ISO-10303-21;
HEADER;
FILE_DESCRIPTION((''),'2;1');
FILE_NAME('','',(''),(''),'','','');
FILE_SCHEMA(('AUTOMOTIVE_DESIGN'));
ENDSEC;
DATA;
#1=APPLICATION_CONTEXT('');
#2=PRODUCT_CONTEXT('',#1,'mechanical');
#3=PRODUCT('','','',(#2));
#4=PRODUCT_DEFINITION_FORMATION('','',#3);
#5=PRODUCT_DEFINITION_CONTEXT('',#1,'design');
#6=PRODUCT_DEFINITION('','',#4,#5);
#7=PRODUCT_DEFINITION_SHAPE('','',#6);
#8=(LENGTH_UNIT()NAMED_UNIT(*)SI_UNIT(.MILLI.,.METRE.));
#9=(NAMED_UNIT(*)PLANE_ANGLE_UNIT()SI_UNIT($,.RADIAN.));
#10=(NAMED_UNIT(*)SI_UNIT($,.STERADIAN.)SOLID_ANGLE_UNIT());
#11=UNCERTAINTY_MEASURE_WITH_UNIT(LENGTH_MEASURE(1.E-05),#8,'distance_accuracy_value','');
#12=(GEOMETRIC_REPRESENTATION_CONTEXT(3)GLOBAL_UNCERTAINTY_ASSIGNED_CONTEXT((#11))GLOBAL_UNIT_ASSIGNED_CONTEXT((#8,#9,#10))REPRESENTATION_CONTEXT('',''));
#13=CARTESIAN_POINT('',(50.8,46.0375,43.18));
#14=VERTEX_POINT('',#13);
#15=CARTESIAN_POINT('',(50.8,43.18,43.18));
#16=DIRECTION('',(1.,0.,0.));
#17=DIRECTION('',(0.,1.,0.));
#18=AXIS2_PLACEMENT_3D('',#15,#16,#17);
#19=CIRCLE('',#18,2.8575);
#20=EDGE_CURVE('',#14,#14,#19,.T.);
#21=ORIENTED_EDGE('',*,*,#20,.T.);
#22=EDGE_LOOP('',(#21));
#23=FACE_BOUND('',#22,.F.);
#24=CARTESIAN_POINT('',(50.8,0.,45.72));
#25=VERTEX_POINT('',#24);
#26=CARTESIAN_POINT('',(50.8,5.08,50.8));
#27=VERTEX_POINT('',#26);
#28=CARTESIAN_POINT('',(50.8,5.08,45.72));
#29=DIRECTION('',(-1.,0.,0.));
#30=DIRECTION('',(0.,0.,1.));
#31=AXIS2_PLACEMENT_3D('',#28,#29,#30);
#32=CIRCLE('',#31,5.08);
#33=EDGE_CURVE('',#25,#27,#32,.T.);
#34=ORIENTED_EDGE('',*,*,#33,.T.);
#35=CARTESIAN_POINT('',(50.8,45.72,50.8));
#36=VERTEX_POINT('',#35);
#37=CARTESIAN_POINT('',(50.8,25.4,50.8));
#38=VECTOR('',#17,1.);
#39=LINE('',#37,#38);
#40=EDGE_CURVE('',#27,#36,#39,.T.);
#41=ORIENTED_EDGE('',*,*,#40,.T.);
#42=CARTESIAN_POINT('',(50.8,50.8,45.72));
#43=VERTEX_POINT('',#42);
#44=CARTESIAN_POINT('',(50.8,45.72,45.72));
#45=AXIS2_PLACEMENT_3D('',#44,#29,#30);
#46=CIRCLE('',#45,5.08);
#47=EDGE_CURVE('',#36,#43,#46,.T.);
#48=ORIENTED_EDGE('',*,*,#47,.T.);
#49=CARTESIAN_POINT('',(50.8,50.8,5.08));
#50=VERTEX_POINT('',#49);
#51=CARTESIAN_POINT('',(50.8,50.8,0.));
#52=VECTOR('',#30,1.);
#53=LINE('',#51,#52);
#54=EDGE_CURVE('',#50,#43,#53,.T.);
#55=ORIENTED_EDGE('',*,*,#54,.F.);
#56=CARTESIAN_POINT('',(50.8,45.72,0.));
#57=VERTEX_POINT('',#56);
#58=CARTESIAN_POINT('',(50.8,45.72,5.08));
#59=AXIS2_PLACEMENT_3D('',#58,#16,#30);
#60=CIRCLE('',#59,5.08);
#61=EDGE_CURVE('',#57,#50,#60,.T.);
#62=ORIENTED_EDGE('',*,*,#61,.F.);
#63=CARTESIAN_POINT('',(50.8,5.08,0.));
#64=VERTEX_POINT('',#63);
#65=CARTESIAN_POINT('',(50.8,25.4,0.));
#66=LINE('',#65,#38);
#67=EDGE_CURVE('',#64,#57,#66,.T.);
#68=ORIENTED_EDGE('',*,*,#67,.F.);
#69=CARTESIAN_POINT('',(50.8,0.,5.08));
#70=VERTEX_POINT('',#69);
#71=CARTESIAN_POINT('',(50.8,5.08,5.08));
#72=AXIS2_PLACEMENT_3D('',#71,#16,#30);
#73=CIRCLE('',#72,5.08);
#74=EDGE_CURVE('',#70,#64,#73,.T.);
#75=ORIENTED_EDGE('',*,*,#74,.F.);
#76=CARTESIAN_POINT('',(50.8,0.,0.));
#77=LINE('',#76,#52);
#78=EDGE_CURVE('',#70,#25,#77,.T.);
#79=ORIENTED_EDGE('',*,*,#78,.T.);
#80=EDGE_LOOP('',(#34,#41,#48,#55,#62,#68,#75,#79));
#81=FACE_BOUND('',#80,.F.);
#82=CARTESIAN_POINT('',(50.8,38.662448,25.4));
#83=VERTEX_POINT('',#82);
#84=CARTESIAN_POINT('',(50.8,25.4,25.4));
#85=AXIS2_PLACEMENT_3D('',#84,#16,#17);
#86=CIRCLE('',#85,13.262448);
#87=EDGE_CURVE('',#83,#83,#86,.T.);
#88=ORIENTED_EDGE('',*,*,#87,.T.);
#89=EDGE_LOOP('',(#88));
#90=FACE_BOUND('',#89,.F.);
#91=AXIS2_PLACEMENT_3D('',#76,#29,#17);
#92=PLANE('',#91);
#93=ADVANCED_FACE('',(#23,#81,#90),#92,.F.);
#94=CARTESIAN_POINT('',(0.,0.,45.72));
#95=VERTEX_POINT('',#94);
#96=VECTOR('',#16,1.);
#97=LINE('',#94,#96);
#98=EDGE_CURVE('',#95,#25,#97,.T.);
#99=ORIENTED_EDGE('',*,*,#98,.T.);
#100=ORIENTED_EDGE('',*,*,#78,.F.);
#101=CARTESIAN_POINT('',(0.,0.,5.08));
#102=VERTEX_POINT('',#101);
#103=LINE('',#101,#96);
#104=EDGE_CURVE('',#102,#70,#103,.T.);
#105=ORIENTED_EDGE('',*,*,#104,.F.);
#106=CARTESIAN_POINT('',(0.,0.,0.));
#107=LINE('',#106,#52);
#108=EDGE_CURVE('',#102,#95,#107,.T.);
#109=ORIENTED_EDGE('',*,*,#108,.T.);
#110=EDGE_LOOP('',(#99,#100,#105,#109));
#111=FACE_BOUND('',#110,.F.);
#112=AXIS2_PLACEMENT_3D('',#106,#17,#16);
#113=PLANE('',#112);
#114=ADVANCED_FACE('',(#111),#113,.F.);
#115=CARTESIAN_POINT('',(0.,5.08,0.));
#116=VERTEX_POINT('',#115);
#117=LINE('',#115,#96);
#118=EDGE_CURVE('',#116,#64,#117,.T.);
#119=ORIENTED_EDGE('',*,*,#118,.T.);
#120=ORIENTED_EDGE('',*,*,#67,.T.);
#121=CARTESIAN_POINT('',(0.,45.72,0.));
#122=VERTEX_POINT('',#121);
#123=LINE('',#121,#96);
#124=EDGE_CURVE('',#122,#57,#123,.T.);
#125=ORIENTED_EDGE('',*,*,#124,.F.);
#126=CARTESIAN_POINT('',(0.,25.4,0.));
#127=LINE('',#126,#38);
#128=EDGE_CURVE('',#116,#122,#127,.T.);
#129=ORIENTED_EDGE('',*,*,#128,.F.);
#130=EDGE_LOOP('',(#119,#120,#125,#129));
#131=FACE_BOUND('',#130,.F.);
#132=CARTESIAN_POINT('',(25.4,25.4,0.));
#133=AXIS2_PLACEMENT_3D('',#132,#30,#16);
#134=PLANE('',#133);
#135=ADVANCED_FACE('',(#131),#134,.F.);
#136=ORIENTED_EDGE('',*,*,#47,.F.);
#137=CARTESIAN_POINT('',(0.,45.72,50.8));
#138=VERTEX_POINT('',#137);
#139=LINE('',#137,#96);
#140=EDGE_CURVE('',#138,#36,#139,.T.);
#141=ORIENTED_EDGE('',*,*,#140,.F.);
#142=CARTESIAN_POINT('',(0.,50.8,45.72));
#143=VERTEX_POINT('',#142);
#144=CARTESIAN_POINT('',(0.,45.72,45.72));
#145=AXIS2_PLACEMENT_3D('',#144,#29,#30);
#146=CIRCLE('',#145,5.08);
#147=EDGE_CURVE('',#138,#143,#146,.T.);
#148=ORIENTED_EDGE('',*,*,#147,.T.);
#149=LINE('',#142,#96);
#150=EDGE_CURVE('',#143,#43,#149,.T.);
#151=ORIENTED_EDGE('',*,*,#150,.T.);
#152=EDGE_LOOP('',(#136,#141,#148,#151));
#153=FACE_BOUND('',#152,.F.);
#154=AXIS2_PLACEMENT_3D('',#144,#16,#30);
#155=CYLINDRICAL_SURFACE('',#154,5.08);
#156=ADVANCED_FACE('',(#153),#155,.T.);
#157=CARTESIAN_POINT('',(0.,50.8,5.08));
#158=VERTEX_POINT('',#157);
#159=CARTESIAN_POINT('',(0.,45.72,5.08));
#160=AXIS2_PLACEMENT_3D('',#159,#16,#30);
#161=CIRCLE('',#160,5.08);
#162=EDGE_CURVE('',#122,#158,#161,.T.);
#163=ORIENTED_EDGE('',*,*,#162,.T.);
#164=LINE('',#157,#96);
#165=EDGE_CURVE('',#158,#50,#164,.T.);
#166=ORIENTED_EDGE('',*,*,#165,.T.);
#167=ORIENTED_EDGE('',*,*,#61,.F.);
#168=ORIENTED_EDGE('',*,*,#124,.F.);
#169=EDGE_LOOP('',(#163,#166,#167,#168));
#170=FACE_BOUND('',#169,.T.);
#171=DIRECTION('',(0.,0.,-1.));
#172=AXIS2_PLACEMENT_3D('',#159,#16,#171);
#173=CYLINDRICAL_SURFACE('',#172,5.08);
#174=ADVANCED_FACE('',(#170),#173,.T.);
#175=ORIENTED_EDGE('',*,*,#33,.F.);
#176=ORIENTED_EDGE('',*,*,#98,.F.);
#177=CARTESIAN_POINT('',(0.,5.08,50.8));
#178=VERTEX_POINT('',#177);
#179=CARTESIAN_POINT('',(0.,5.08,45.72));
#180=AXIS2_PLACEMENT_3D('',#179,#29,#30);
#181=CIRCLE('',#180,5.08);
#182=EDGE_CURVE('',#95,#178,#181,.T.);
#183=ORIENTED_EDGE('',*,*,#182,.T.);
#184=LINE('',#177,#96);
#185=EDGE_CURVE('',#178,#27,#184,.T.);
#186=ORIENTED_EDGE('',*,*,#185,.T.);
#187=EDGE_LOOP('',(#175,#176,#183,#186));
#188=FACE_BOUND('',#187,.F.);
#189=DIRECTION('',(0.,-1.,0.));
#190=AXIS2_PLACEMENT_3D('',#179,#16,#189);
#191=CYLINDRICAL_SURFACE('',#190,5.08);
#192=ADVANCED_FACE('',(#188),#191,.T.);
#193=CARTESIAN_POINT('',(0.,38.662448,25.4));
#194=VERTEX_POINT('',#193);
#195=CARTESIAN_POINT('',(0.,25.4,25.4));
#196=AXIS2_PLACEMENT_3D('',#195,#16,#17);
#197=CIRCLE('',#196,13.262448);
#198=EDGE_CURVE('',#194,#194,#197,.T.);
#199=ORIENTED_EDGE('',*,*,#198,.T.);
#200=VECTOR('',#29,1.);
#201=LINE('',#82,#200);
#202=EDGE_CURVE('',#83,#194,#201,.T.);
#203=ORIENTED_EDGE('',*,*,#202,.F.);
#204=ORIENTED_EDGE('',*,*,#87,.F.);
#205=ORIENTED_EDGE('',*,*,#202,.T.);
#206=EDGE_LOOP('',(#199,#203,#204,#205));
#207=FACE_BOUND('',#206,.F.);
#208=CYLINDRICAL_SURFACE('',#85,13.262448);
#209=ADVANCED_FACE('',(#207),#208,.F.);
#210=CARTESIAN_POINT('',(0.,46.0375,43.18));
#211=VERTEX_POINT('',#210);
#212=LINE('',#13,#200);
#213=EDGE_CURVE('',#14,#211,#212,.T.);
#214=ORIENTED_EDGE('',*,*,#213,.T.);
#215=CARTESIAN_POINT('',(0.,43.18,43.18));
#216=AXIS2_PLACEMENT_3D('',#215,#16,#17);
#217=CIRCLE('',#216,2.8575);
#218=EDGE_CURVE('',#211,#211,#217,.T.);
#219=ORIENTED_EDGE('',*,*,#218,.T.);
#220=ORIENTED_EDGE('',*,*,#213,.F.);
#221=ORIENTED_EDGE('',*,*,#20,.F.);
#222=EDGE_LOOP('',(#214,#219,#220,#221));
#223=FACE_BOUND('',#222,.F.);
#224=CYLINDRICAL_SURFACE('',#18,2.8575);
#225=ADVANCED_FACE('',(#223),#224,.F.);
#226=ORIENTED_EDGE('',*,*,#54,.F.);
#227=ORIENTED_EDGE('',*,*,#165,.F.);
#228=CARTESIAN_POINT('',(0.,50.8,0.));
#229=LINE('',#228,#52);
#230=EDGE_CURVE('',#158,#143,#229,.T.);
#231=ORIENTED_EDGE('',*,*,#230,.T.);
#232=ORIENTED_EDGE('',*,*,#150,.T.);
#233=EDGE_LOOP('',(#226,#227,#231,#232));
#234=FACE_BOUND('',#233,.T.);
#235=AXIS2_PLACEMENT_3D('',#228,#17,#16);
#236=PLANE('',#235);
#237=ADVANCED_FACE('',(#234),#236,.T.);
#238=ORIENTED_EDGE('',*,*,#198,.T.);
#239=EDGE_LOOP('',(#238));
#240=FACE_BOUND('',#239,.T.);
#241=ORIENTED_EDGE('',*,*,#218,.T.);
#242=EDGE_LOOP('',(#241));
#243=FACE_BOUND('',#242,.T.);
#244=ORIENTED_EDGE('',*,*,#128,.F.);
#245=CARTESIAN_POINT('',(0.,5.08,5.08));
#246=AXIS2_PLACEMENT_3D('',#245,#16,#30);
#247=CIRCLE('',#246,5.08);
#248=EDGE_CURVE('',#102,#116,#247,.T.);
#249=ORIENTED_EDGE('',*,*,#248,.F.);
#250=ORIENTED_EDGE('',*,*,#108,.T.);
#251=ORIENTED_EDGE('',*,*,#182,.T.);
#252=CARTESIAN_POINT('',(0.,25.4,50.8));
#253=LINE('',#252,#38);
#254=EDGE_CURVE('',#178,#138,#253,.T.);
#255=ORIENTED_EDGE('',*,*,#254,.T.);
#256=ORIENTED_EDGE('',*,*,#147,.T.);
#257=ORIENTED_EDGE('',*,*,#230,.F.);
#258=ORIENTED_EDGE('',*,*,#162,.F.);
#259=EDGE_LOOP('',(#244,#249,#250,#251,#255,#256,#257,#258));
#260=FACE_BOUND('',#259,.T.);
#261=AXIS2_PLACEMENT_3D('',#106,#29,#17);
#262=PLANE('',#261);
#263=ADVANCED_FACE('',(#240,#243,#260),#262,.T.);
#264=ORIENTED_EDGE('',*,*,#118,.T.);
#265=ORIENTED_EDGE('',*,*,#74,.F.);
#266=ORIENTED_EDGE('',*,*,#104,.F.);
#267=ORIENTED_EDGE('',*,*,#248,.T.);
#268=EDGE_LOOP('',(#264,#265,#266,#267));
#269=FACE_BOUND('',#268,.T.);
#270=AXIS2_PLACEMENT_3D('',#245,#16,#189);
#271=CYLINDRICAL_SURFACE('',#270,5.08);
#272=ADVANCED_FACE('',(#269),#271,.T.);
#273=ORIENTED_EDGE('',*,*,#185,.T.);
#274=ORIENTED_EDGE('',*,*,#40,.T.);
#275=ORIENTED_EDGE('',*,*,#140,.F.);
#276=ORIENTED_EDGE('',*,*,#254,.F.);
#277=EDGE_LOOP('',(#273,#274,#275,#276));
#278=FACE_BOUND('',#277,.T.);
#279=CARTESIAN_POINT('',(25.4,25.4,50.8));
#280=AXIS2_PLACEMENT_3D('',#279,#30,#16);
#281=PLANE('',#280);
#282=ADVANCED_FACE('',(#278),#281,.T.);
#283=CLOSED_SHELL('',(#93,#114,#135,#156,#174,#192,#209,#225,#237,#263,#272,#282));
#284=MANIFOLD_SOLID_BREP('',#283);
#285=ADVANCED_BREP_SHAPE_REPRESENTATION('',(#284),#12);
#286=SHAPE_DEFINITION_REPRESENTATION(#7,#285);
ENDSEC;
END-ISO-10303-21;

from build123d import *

# Parameters (mm, degrees)
F0_W     = 50.8
F0_H     = 50.8
F1_DEPTH = 50.8
F2_R     = 13.262448
F3_DEPTH = 50.801
F4_R     = 5.08
F5_R     = 2.8575
F6_DEPTH = 50.801


with BuildPart() as f1:
    # F0 (on Top) → F1 (new body)
    with BuildSketch(Plane.XY):
        with Locations((25.4, 25.4)):
            Rectangle(F0_W, F0_H)
    extrude(amount=F1_DEPTH)

    # F2 (on face) → F3 (cut, through all)
    with BuildSketch(Plane.YZ.offset(50.8)):
        with Locations((25.4, 25.4)):
            Circle(F2_R)
    extrude(amount=-F3_DEPTH, mode=Mode.SUBTRACT)

    # F4
    f4_edges = [f1.edges().sort_by_distance(p)[0] for p in [
        (25.4, 50.8, 50.8),
        (25.4, 0, 50.8),
        (25.4, 50.8, 0),
        (25.4, 0, 0),
    ]]
    fillet(f4_edges, radius=F4_R)

    # F5 (on face) → F6 (cut, through all)
    with BuildSketch(Plane.YZ.offset(50.8)):
        with Locations((43.18, 43.18)):
            Circle(F5_R)
    extrude(amount=-F6_DEPTH, mode=Mode.SUBTRACT)


solid = f1.part
